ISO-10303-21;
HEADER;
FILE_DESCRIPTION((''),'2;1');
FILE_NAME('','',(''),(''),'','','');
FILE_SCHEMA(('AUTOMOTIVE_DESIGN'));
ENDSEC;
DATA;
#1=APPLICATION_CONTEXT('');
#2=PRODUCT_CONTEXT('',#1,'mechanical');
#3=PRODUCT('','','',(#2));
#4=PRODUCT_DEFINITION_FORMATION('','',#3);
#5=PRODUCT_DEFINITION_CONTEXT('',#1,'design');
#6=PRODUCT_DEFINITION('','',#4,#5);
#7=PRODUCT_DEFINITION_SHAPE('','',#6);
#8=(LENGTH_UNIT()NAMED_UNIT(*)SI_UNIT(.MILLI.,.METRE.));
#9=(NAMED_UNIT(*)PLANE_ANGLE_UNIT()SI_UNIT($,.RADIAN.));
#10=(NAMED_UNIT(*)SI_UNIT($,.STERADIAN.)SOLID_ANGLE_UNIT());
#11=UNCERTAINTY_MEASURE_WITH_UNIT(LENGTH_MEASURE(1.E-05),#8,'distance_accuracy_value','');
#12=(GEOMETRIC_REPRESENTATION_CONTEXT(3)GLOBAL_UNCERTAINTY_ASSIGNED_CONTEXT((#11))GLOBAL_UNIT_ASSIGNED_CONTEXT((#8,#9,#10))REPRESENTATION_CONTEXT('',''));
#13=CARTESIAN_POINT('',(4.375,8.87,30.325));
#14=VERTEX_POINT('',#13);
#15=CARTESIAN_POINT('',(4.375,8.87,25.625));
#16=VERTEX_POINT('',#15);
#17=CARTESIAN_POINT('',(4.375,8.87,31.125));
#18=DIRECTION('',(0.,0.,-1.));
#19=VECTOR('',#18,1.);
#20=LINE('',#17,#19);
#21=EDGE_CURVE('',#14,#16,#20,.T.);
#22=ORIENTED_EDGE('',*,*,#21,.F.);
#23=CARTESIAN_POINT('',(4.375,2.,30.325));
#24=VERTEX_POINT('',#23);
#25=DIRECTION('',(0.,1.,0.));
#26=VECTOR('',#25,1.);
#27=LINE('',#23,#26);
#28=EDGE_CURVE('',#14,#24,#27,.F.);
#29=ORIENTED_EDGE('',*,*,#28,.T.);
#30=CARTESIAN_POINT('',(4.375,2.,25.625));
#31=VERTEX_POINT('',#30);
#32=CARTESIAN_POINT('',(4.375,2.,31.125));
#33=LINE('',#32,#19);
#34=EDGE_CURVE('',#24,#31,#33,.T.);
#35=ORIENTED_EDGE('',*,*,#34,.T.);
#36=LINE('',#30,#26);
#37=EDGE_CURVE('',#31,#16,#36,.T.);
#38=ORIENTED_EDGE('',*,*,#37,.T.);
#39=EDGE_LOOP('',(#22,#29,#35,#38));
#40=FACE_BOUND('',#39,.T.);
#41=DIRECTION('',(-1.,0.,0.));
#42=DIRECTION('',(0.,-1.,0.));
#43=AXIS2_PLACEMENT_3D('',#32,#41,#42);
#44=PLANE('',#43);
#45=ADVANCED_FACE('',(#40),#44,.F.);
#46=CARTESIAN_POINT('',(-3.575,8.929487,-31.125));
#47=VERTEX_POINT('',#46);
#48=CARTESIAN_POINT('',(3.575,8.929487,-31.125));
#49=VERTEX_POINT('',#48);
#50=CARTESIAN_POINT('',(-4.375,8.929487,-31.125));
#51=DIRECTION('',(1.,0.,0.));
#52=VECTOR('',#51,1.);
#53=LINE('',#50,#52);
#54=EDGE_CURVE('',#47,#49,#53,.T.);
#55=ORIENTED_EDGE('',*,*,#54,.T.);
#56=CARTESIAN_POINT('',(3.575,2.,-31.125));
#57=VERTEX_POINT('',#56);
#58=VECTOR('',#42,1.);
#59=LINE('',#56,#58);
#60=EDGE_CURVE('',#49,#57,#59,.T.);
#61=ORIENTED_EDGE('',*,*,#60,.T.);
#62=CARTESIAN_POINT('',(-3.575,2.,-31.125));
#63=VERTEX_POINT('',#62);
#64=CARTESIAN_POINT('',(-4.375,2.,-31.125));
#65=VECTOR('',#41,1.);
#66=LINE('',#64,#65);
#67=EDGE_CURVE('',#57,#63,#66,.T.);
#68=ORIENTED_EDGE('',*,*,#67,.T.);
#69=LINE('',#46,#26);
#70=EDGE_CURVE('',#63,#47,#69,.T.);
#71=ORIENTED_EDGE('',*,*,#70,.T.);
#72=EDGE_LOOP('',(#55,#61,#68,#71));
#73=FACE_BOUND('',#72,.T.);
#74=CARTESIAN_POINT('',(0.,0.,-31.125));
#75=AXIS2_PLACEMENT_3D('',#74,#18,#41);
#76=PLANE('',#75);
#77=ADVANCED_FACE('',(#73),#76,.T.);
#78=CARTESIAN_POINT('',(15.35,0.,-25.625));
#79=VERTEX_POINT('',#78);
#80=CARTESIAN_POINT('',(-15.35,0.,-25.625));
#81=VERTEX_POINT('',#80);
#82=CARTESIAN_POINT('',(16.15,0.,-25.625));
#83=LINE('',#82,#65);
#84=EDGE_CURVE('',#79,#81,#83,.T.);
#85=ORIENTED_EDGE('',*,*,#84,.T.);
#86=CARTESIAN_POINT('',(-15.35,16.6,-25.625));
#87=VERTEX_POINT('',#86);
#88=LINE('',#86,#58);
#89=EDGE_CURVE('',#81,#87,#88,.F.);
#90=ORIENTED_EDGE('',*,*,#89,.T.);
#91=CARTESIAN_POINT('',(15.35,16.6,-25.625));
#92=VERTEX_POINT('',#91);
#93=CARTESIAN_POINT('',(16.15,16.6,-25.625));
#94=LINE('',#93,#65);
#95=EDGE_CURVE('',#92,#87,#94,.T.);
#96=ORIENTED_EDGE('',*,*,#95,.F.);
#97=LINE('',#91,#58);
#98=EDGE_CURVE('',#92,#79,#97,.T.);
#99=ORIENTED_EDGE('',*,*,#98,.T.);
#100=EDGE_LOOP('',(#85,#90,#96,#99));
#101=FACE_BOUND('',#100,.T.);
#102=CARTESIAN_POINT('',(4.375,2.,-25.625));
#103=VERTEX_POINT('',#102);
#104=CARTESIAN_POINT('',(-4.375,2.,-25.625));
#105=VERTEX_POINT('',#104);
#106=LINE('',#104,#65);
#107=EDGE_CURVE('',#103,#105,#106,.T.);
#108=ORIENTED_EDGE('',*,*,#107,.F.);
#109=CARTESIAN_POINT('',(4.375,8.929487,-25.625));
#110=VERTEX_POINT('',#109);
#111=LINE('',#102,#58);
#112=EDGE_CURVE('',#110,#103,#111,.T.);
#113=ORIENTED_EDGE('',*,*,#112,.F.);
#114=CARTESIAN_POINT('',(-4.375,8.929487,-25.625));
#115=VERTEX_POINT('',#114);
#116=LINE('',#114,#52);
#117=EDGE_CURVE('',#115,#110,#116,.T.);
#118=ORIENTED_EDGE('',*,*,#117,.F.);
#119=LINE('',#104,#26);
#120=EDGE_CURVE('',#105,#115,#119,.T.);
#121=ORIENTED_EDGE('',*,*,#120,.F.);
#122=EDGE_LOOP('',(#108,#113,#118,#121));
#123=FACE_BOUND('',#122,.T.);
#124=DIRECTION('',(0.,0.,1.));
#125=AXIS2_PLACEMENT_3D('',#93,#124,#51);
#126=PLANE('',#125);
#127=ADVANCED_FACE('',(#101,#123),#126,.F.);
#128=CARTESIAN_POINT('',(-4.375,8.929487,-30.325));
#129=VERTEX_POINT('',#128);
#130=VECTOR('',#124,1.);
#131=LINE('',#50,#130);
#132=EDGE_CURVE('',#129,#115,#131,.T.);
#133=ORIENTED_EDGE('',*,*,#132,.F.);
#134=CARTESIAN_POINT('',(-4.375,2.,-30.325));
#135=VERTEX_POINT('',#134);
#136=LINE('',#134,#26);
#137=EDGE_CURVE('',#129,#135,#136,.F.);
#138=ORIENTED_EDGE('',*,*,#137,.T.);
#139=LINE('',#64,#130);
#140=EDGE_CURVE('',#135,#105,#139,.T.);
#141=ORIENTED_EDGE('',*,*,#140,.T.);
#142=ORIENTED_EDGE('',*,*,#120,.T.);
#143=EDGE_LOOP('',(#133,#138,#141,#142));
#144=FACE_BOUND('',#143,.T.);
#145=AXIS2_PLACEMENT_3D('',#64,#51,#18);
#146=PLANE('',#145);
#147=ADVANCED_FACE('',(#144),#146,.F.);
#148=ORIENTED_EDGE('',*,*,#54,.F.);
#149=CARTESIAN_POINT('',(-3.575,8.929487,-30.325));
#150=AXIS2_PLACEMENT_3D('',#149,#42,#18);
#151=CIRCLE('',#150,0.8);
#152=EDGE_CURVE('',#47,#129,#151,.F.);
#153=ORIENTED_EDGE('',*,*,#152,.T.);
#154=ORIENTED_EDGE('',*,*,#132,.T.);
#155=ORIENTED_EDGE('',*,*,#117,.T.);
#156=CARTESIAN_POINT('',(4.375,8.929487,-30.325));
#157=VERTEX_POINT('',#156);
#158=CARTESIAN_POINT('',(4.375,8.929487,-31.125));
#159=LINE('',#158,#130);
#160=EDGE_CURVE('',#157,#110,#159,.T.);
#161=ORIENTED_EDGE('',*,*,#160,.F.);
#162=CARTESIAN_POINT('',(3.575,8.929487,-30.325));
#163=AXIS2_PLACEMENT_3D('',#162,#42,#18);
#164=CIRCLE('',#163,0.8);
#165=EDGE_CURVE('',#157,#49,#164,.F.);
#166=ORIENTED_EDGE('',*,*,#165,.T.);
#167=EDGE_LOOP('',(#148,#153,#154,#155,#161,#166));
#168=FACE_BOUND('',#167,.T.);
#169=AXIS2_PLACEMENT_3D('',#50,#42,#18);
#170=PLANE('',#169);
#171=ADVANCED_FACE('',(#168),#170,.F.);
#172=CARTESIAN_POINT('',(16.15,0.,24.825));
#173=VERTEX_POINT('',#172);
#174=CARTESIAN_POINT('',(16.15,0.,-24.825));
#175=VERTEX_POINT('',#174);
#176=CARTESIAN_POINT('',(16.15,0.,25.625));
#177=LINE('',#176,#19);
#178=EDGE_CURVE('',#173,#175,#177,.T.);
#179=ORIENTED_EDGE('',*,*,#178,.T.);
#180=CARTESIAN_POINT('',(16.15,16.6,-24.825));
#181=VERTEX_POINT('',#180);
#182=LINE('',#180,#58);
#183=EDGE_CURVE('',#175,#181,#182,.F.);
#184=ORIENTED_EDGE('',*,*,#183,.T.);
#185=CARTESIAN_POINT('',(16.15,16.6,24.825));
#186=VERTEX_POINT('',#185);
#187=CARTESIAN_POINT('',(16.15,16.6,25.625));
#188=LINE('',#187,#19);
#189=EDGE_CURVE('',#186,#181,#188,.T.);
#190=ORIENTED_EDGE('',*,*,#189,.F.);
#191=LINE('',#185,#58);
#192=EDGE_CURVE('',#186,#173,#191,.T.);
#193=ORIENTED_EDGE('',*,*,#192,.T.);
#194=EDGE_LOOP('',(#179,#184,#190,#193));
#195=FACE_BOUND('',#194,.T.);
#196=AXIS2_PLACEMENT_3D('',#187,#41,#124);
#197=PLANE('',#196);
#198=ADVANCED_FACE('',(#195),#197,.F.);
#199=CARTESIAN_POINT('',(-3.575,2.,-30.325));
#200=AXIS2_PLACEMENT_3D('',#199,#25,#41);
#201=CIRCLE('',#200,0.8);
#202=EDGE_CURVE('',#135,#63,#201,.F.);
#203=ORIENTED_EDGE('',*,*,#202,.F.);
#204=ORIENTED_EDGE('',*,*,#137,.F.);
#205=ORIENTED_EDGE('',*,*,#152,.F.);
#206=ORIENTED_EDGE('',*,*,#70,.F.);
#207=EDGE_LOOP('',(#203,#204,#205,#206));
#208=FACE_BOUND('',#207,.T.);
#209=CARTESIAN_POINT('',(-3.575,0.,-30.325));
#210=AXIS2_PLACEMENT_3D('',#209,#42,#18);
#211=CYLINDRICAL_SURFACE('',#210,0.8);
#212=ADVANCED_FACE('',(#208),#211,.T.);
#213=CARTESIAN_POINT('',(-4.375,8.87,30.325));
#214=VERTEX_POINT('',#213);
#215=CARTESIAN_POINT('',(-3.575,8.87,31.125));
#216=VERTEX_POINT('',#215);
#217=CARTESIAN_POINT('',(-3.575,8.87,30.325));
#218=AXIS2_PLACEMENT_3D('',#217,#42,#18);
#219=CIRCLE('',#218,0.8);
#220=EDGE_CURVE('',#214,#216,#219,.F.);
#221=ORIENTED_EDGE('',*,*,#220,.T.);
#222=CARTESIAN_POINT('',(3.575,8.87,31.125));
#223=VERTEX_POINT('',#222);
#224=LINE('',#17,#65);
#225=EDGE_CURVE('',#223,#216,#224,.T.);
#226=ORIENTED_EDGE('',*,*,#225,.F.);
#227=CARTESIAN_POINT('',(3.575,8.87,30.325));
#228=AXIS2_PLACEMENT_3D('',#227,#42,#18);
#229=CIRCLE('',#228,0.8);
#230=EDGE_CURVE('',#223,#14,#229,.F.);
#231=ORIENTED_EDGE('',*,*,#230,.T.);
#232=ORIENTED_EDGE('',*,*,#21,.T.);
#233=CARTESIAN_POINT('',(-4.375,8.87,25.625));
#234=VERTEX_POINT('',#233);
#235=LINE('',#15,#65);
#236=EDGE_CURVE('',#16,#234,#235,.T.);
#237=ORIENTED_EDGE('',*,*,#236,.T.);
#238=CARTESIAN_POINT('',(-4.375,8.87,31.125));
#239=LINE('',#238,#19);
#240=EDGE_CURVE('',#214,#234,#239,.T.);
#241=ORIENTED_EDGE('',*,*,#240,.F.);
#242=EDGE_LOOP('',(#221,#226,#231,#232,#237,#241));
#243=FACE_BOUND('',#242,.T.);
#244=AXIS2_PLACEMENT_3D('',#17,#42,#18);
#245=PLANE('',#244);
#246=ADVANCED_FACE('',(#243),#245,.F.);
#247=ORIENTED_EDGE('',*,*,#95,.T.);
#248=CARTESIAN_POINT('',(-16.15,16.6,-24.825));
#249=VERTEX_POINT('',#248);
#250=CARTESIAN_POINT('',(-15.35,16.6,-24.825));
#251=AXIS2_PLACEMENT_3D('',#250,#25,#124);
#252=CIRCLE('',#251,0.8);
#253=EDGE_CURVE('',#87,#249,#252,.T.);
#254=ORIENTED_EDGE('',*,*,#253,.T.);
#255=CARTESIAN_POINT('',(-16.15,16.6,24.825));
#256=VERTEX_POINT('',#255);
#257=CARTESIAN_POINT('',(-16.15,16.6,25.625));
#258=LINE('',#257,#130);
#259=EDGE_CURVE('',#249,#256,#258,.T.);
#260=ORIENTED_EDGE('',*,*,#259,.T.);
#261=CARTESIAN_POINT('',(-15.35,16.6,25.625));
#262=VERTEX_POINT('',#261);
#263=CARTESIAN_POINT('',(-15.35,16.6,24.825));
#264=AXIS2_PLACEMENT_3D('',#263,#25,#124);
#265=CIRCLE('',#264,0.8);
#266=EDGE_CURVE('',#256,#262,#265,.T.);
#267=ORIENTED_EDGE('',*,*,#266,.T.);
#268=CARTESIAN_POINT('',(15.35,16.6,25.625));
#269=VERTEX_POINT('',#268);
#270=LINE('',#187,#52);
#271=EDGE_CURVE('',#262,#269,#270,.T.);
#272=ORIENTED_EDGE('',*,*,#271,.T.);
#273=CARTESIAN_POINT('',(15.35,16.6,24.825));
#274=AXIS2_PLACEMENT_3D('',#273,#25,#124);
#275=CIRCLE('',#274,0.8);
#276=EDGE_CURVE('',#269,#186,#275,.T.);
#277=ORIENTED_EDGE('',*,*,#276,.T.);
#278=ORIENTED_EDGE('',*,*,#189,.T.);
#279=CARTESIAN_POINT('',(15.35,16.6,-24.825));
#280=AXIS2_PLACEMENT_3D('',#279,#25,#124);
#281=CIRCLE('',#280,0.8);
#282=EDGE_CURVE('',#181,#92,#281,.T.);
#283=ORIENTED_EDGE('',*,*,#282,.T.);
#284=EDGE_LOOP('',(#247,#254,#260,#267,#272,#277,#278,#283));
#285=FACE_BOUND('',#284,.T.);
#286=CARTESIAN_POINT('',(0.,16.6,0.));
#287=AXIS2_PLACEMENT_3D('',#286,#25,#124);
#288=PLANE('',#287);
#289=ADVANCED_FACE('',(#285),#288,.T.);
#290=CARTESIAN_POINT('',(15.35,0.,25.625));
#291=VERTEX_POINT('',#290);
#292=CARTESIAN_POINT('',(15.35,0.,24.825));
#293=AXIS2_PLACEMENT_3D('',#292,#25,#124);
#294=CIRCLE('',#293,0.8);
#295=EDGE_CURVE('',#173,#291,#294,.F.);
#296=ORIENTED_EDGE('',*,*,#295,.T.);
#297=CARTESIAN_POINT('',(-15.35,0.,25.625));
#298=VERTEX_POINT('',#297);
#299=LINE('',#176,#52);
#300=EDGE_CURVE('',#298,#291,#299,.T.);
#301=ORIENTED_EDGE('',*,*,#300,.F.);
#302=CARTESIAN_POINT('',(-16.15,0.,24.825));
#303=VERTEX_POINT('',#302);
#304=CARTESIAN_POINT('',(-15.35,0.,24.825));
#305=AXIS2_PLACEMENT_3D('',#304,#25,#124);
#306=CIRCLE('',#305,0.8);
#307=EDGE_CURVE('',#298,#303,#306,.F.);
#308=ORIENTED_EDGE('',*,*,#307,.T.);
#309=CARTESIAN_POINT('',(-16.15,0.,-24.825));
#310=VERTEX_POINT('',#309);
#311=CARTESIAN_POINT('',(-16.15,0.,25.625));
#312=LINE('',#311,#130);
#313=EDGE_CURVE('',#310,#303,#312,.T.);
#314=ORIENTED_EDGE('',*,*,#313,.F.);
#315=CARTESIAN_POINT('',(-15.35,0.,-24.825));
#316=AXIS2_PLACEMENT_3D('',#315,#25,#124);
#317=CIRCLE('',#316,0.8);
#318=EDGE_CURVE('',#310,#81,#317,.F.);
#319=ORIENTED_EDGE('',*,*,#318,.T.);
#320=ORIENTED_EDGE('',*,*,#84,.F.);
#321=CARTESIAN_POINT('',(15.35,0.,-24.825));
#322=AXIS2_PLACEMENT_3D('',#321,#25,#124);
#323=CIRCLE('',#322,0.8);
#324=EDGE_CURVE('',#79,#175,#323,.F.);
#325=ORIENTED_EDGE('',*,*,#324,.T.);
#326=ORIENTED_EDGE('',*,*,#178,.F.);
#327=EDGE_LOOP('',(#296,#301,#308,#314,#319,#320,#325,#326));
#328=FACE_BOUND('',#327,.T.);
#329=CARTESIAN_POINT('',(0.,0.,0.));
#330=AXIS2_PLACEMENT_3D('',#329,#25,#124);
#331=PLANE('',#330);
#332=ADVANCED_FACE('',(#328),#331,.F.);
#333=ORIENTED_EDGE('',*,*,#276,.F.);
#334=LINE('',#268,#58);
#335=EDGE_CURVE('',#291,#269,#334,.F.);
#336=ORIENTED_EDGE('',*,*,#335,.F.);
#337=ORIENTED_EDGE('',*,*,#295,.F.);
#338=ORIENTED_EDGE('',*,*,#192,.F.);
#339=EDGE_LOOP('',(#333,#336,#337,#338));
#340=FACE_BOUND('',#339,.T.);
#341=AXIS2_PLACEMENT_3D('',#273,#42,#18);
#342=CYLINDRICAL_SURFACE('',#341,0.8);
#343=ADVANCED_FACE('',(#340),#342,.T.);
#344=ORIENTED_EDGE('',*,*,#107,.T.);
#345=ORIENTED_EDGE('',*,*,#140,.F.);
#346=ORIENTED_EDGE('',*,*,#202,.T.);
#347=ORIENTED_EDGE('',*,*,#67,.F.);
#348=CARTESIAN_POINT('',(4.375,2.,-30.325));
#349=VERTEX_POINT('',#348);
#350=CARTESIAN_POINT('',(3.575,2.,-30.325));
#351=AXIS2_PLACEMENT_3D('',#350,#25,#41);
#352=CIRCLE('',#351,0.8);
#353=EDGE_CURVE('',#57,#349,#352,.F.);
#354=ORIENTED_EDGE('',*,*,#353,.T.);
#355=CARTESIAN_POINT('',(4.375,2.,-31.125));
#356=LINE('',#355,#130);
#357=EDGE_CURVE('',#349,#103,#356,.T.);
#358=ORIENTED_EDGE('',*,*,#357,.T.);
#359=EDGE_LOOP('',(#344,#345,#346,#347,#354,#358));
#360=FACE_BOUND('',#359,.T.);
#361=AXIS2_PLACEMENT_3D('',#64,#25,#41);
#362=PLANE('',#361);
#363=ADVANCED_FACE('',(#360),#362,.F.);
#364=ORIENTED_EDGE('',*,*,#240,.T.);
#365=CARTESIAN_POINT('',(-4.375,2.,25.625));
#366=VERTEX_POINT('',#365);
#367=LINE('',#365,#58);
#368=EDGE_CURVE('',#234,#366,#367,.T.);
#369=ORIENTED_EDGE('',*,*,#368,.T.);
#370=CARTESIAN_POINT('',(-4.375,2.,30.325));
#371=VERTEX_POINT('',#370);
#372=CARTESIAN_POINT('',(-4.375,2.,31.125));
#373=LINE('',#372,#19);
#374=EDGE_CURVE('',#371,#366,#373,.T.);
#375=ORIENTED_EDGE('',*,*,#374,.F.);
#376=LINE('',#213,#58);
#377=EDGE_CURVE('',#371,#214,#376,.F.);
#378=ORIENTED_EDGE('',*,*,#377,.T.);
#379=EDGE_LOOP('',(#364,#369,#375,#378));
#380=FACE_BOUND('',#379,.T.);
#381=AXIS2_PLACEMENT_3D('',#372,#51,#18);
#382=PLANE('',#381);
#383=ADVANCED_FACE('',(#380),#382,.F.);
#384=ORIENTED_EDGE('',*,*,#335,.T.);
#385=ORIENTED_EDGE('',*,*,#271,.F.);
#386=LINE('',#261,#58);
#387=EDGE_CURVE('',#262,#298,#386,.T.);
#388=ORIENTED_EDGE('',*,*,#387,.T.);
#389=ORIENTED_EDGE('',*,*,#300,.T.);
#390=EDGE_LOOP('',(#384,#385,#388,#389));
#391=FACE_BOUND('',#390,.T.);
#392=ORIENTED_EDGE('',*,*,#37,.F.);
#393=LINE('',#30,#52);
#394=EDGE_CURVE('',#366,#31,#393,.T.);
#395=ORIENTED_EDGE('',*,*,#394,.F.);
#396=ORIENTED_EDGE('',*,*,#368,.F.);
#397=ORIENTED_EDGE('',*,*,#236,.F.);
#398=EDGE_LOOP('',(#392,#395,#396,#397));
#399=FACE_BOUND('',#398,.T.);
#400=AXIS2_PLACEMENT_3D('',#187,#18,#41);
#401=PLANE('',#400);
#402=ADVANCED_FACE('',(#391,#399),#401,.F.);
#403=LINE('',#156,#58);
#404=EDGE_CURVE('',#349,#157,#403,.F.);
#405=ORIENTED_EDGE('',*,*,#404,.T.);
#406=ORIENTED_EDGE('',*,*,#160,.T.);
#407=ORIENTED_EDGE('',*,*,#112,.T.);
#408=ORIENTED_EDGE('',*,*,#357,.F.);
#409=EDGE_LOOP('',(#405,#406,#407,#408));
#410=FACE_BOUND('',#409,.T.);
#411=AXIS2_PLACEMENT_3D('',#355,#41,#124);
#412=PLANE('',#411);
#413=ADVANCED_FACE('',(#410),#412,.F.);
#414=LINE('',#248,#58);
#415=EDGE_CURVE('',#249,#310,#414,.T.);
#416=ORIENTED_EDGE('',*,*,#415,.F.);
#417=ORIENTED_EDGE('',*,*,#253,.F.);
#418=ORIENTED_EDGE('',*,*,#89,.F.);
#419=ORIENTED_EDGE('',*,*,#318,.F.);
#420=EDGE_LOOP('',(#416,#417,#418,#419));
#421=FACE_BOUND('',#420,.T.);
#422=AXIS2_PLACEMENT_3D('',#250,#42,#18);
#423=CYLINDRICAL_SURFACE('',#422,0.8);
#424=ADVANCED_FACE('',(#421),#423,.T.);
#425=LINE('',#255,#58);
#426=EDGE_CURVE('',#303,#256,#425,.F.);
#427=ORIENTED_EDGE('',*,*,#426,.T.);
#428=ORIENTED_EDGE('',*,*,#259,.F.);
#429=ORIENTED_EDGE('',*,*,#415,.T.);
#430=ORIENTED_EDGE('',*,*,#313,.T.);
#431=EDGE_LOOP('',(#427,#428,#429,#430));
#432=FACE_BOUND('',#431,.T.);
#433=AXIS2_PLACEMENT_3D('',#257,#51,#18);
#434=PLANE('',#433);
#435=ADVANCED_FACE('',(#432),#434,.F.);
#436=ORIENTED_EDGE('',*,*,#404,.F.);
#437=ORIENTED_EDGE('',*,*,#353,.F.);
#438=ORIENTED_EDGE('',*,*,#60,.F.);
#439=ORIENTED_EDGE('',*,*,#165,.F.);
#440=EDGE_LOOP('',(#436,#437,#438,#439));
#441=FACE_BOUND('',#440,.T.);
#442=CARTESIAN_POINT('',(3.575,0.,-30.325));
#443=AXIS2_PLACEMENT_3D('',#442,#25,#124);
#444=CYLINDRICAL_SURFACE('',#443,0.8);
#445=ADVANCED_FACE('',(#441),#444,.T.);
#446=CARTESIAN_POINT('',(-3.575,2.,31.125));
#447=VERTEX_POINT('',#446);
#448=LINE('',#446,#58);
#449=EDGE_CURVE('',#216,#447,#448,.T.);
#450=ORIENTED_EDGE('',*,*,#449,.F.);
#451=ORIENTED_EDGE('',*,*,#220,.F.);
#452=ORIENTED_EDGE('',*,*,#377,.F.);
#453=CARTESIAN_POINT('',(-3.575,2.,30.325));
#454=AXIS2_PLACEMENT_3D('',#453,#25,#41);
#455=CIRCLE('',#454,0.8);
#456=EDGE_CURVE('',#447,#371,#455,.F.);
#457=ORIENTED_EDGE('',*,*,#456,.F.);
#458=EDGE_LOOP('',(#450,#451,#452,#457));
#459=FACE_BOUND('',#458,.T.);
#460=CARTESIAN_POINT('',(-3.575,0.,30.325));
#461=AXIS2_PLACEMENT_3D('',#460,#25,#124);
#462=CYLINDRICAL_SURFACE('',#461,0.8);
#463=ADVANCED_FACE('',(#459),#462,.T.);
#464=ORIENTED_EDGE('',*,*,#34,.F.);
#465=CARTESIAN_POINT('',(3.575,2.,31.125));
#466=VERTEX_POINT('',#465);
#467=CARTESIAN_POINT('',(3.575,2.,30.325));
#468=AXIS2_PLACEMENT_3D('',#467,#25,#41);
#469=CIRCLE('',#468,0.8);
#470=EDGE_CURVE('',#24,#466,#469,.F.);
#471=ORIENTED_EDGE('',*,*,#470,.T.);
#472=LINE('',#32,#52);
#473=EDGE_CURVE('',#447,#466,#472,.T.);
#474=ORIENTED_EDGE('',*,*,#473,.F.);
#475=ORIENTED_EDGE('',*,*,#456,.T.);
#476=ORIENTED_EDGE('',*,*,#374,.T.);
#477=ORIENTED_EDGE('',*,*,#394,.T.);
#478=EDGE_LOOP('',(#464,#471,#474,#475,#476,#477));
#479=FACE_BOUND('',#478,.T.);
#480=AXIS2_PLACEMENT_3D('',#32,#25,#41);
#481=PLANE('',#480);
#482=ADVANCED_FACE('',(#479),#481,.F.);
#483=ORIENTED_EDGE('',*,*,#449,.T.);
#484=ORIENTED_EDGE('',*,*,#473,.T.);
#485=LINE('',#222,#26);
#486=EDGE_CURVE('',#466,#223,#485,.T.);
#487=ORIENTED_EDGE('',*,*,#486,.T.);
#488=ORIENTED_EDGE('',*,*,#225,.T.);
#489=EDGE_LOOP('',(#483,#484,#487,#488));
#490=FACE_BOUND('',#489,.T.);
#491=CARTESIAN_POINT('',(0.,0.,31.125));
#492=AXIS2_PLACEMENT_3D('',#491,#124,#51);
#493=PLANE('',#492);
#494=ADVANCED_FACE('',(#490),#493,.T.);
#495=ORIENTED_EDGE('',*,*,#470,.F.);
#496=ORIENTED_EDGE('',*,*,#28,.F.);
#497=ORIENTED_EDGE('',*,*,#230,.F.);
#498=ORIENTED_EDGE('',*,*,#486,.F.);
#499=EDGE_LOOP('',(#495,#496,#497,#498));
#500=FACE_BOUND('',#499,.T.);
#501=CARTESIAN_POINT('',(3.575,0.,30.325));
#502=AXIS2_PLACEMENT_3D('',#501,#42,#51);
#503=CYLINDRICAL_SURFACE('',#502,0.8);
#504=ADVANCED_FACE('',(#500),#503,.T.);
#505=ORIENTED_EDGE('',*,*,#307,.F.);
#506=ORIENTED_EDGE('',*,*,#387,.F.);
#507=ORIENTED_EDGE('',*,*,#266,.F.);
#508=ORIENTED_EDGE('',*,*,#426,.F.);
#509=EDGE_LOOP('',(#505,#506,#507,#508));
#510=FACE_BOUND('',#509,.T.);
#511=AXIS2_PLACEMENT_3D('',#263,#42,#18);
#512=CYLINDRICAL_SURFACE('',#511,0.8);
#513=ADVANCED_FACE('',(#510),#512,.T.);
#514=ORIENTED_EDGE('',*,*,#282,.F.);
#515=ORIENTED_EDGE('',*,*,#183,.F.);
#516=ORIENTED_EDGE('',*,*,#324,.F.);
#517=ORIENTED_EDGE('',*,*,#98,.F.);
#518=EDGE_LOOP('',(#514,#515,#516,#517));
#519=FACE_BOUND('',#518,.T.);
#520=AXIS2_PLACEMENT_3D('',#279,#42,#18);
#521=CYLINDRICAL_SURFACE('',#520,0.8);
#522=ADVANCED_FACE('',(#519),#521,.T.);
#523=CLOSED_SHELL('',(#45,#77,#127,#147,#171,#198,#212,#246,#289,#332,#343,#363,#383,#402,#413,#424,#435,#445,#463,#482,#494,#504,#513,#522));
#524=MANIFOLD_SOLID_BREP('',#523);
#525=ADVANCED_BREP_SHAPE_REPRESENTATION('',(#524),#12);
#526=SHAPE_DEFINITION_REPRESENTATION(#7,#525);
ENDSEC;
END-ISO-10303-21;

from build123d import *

# Parameters (mm, degrees)
SKETCH1_W           = 32.3
SKETCH1_H           = 51.25
BOSS_EXTRUDE2_DEPTH = 16.6
SKETCH2_W           = 8.75
SKETCH2_H           = 6.87
BOSS_EXTRUDE3_DEPTH = 5.5
SKETCH3_W           = 8.75
SKETCH3_H           = 6.929487278
BOSS_EXTRUDE4_DEPTH = 5.5
FILLET1_R           = 0.8


with BuildPart() as part:
    # Sketch1 → Boss-Extrude2 (new body)
    with BuildSketch(Plane(origin=(0, 0, 0), x_dir=(1, 0, 0), z_dir=(0, 1, 0))):
        Rectangle(SKETCH1_W, SKETCH1_H)
    extrude(amount=BOSS_EXTRUDE2_DEPTH)

    # Sketch2 → Boss-Extrude3 (add)
    with BuildSketch(Plane.XY.offset(25.625)):
        with Locations((0, 5.435)):
            Rectangle(SKETCH2_W, SKETCH2_H)
    extrude(amount=BOSS_EXTRUDE3_DEPTH)

    # Sketch3 → Boss-Extrude4 (add)
    with BuildSketch(Plane(origin=(0, 0, -25.625), x_dir=(-1, 0, 0), z_dir=(0, 0, -1))):
        with Locations((0, 5.464743639)):
            Rectangle(SKETCH3_W, SKETCH3_H)
    extrude(amount=BOSS_EXTRUDE4_DEPTH)

    # Fillet1
    fillet1_edges = [part.edges().sort_by_distance(p)[0] for p in [
        (-4.375, 5.435, 31.125),
        (4.375, 5.435, 31.125),
        (4.375, 5.464743639, -31.125),
        (-4.375, 5.464743639, -31.125),
        (-16.15, 8.3, -25.625),
        (16.15, 8.3, -25.625),
        (16.15, 8.3, 25.625),
        (-16.15, 8.3, 25.625),
    ]]
    fillet(fillet1_edges, radius=FILLET1_R)


solid = part.part
